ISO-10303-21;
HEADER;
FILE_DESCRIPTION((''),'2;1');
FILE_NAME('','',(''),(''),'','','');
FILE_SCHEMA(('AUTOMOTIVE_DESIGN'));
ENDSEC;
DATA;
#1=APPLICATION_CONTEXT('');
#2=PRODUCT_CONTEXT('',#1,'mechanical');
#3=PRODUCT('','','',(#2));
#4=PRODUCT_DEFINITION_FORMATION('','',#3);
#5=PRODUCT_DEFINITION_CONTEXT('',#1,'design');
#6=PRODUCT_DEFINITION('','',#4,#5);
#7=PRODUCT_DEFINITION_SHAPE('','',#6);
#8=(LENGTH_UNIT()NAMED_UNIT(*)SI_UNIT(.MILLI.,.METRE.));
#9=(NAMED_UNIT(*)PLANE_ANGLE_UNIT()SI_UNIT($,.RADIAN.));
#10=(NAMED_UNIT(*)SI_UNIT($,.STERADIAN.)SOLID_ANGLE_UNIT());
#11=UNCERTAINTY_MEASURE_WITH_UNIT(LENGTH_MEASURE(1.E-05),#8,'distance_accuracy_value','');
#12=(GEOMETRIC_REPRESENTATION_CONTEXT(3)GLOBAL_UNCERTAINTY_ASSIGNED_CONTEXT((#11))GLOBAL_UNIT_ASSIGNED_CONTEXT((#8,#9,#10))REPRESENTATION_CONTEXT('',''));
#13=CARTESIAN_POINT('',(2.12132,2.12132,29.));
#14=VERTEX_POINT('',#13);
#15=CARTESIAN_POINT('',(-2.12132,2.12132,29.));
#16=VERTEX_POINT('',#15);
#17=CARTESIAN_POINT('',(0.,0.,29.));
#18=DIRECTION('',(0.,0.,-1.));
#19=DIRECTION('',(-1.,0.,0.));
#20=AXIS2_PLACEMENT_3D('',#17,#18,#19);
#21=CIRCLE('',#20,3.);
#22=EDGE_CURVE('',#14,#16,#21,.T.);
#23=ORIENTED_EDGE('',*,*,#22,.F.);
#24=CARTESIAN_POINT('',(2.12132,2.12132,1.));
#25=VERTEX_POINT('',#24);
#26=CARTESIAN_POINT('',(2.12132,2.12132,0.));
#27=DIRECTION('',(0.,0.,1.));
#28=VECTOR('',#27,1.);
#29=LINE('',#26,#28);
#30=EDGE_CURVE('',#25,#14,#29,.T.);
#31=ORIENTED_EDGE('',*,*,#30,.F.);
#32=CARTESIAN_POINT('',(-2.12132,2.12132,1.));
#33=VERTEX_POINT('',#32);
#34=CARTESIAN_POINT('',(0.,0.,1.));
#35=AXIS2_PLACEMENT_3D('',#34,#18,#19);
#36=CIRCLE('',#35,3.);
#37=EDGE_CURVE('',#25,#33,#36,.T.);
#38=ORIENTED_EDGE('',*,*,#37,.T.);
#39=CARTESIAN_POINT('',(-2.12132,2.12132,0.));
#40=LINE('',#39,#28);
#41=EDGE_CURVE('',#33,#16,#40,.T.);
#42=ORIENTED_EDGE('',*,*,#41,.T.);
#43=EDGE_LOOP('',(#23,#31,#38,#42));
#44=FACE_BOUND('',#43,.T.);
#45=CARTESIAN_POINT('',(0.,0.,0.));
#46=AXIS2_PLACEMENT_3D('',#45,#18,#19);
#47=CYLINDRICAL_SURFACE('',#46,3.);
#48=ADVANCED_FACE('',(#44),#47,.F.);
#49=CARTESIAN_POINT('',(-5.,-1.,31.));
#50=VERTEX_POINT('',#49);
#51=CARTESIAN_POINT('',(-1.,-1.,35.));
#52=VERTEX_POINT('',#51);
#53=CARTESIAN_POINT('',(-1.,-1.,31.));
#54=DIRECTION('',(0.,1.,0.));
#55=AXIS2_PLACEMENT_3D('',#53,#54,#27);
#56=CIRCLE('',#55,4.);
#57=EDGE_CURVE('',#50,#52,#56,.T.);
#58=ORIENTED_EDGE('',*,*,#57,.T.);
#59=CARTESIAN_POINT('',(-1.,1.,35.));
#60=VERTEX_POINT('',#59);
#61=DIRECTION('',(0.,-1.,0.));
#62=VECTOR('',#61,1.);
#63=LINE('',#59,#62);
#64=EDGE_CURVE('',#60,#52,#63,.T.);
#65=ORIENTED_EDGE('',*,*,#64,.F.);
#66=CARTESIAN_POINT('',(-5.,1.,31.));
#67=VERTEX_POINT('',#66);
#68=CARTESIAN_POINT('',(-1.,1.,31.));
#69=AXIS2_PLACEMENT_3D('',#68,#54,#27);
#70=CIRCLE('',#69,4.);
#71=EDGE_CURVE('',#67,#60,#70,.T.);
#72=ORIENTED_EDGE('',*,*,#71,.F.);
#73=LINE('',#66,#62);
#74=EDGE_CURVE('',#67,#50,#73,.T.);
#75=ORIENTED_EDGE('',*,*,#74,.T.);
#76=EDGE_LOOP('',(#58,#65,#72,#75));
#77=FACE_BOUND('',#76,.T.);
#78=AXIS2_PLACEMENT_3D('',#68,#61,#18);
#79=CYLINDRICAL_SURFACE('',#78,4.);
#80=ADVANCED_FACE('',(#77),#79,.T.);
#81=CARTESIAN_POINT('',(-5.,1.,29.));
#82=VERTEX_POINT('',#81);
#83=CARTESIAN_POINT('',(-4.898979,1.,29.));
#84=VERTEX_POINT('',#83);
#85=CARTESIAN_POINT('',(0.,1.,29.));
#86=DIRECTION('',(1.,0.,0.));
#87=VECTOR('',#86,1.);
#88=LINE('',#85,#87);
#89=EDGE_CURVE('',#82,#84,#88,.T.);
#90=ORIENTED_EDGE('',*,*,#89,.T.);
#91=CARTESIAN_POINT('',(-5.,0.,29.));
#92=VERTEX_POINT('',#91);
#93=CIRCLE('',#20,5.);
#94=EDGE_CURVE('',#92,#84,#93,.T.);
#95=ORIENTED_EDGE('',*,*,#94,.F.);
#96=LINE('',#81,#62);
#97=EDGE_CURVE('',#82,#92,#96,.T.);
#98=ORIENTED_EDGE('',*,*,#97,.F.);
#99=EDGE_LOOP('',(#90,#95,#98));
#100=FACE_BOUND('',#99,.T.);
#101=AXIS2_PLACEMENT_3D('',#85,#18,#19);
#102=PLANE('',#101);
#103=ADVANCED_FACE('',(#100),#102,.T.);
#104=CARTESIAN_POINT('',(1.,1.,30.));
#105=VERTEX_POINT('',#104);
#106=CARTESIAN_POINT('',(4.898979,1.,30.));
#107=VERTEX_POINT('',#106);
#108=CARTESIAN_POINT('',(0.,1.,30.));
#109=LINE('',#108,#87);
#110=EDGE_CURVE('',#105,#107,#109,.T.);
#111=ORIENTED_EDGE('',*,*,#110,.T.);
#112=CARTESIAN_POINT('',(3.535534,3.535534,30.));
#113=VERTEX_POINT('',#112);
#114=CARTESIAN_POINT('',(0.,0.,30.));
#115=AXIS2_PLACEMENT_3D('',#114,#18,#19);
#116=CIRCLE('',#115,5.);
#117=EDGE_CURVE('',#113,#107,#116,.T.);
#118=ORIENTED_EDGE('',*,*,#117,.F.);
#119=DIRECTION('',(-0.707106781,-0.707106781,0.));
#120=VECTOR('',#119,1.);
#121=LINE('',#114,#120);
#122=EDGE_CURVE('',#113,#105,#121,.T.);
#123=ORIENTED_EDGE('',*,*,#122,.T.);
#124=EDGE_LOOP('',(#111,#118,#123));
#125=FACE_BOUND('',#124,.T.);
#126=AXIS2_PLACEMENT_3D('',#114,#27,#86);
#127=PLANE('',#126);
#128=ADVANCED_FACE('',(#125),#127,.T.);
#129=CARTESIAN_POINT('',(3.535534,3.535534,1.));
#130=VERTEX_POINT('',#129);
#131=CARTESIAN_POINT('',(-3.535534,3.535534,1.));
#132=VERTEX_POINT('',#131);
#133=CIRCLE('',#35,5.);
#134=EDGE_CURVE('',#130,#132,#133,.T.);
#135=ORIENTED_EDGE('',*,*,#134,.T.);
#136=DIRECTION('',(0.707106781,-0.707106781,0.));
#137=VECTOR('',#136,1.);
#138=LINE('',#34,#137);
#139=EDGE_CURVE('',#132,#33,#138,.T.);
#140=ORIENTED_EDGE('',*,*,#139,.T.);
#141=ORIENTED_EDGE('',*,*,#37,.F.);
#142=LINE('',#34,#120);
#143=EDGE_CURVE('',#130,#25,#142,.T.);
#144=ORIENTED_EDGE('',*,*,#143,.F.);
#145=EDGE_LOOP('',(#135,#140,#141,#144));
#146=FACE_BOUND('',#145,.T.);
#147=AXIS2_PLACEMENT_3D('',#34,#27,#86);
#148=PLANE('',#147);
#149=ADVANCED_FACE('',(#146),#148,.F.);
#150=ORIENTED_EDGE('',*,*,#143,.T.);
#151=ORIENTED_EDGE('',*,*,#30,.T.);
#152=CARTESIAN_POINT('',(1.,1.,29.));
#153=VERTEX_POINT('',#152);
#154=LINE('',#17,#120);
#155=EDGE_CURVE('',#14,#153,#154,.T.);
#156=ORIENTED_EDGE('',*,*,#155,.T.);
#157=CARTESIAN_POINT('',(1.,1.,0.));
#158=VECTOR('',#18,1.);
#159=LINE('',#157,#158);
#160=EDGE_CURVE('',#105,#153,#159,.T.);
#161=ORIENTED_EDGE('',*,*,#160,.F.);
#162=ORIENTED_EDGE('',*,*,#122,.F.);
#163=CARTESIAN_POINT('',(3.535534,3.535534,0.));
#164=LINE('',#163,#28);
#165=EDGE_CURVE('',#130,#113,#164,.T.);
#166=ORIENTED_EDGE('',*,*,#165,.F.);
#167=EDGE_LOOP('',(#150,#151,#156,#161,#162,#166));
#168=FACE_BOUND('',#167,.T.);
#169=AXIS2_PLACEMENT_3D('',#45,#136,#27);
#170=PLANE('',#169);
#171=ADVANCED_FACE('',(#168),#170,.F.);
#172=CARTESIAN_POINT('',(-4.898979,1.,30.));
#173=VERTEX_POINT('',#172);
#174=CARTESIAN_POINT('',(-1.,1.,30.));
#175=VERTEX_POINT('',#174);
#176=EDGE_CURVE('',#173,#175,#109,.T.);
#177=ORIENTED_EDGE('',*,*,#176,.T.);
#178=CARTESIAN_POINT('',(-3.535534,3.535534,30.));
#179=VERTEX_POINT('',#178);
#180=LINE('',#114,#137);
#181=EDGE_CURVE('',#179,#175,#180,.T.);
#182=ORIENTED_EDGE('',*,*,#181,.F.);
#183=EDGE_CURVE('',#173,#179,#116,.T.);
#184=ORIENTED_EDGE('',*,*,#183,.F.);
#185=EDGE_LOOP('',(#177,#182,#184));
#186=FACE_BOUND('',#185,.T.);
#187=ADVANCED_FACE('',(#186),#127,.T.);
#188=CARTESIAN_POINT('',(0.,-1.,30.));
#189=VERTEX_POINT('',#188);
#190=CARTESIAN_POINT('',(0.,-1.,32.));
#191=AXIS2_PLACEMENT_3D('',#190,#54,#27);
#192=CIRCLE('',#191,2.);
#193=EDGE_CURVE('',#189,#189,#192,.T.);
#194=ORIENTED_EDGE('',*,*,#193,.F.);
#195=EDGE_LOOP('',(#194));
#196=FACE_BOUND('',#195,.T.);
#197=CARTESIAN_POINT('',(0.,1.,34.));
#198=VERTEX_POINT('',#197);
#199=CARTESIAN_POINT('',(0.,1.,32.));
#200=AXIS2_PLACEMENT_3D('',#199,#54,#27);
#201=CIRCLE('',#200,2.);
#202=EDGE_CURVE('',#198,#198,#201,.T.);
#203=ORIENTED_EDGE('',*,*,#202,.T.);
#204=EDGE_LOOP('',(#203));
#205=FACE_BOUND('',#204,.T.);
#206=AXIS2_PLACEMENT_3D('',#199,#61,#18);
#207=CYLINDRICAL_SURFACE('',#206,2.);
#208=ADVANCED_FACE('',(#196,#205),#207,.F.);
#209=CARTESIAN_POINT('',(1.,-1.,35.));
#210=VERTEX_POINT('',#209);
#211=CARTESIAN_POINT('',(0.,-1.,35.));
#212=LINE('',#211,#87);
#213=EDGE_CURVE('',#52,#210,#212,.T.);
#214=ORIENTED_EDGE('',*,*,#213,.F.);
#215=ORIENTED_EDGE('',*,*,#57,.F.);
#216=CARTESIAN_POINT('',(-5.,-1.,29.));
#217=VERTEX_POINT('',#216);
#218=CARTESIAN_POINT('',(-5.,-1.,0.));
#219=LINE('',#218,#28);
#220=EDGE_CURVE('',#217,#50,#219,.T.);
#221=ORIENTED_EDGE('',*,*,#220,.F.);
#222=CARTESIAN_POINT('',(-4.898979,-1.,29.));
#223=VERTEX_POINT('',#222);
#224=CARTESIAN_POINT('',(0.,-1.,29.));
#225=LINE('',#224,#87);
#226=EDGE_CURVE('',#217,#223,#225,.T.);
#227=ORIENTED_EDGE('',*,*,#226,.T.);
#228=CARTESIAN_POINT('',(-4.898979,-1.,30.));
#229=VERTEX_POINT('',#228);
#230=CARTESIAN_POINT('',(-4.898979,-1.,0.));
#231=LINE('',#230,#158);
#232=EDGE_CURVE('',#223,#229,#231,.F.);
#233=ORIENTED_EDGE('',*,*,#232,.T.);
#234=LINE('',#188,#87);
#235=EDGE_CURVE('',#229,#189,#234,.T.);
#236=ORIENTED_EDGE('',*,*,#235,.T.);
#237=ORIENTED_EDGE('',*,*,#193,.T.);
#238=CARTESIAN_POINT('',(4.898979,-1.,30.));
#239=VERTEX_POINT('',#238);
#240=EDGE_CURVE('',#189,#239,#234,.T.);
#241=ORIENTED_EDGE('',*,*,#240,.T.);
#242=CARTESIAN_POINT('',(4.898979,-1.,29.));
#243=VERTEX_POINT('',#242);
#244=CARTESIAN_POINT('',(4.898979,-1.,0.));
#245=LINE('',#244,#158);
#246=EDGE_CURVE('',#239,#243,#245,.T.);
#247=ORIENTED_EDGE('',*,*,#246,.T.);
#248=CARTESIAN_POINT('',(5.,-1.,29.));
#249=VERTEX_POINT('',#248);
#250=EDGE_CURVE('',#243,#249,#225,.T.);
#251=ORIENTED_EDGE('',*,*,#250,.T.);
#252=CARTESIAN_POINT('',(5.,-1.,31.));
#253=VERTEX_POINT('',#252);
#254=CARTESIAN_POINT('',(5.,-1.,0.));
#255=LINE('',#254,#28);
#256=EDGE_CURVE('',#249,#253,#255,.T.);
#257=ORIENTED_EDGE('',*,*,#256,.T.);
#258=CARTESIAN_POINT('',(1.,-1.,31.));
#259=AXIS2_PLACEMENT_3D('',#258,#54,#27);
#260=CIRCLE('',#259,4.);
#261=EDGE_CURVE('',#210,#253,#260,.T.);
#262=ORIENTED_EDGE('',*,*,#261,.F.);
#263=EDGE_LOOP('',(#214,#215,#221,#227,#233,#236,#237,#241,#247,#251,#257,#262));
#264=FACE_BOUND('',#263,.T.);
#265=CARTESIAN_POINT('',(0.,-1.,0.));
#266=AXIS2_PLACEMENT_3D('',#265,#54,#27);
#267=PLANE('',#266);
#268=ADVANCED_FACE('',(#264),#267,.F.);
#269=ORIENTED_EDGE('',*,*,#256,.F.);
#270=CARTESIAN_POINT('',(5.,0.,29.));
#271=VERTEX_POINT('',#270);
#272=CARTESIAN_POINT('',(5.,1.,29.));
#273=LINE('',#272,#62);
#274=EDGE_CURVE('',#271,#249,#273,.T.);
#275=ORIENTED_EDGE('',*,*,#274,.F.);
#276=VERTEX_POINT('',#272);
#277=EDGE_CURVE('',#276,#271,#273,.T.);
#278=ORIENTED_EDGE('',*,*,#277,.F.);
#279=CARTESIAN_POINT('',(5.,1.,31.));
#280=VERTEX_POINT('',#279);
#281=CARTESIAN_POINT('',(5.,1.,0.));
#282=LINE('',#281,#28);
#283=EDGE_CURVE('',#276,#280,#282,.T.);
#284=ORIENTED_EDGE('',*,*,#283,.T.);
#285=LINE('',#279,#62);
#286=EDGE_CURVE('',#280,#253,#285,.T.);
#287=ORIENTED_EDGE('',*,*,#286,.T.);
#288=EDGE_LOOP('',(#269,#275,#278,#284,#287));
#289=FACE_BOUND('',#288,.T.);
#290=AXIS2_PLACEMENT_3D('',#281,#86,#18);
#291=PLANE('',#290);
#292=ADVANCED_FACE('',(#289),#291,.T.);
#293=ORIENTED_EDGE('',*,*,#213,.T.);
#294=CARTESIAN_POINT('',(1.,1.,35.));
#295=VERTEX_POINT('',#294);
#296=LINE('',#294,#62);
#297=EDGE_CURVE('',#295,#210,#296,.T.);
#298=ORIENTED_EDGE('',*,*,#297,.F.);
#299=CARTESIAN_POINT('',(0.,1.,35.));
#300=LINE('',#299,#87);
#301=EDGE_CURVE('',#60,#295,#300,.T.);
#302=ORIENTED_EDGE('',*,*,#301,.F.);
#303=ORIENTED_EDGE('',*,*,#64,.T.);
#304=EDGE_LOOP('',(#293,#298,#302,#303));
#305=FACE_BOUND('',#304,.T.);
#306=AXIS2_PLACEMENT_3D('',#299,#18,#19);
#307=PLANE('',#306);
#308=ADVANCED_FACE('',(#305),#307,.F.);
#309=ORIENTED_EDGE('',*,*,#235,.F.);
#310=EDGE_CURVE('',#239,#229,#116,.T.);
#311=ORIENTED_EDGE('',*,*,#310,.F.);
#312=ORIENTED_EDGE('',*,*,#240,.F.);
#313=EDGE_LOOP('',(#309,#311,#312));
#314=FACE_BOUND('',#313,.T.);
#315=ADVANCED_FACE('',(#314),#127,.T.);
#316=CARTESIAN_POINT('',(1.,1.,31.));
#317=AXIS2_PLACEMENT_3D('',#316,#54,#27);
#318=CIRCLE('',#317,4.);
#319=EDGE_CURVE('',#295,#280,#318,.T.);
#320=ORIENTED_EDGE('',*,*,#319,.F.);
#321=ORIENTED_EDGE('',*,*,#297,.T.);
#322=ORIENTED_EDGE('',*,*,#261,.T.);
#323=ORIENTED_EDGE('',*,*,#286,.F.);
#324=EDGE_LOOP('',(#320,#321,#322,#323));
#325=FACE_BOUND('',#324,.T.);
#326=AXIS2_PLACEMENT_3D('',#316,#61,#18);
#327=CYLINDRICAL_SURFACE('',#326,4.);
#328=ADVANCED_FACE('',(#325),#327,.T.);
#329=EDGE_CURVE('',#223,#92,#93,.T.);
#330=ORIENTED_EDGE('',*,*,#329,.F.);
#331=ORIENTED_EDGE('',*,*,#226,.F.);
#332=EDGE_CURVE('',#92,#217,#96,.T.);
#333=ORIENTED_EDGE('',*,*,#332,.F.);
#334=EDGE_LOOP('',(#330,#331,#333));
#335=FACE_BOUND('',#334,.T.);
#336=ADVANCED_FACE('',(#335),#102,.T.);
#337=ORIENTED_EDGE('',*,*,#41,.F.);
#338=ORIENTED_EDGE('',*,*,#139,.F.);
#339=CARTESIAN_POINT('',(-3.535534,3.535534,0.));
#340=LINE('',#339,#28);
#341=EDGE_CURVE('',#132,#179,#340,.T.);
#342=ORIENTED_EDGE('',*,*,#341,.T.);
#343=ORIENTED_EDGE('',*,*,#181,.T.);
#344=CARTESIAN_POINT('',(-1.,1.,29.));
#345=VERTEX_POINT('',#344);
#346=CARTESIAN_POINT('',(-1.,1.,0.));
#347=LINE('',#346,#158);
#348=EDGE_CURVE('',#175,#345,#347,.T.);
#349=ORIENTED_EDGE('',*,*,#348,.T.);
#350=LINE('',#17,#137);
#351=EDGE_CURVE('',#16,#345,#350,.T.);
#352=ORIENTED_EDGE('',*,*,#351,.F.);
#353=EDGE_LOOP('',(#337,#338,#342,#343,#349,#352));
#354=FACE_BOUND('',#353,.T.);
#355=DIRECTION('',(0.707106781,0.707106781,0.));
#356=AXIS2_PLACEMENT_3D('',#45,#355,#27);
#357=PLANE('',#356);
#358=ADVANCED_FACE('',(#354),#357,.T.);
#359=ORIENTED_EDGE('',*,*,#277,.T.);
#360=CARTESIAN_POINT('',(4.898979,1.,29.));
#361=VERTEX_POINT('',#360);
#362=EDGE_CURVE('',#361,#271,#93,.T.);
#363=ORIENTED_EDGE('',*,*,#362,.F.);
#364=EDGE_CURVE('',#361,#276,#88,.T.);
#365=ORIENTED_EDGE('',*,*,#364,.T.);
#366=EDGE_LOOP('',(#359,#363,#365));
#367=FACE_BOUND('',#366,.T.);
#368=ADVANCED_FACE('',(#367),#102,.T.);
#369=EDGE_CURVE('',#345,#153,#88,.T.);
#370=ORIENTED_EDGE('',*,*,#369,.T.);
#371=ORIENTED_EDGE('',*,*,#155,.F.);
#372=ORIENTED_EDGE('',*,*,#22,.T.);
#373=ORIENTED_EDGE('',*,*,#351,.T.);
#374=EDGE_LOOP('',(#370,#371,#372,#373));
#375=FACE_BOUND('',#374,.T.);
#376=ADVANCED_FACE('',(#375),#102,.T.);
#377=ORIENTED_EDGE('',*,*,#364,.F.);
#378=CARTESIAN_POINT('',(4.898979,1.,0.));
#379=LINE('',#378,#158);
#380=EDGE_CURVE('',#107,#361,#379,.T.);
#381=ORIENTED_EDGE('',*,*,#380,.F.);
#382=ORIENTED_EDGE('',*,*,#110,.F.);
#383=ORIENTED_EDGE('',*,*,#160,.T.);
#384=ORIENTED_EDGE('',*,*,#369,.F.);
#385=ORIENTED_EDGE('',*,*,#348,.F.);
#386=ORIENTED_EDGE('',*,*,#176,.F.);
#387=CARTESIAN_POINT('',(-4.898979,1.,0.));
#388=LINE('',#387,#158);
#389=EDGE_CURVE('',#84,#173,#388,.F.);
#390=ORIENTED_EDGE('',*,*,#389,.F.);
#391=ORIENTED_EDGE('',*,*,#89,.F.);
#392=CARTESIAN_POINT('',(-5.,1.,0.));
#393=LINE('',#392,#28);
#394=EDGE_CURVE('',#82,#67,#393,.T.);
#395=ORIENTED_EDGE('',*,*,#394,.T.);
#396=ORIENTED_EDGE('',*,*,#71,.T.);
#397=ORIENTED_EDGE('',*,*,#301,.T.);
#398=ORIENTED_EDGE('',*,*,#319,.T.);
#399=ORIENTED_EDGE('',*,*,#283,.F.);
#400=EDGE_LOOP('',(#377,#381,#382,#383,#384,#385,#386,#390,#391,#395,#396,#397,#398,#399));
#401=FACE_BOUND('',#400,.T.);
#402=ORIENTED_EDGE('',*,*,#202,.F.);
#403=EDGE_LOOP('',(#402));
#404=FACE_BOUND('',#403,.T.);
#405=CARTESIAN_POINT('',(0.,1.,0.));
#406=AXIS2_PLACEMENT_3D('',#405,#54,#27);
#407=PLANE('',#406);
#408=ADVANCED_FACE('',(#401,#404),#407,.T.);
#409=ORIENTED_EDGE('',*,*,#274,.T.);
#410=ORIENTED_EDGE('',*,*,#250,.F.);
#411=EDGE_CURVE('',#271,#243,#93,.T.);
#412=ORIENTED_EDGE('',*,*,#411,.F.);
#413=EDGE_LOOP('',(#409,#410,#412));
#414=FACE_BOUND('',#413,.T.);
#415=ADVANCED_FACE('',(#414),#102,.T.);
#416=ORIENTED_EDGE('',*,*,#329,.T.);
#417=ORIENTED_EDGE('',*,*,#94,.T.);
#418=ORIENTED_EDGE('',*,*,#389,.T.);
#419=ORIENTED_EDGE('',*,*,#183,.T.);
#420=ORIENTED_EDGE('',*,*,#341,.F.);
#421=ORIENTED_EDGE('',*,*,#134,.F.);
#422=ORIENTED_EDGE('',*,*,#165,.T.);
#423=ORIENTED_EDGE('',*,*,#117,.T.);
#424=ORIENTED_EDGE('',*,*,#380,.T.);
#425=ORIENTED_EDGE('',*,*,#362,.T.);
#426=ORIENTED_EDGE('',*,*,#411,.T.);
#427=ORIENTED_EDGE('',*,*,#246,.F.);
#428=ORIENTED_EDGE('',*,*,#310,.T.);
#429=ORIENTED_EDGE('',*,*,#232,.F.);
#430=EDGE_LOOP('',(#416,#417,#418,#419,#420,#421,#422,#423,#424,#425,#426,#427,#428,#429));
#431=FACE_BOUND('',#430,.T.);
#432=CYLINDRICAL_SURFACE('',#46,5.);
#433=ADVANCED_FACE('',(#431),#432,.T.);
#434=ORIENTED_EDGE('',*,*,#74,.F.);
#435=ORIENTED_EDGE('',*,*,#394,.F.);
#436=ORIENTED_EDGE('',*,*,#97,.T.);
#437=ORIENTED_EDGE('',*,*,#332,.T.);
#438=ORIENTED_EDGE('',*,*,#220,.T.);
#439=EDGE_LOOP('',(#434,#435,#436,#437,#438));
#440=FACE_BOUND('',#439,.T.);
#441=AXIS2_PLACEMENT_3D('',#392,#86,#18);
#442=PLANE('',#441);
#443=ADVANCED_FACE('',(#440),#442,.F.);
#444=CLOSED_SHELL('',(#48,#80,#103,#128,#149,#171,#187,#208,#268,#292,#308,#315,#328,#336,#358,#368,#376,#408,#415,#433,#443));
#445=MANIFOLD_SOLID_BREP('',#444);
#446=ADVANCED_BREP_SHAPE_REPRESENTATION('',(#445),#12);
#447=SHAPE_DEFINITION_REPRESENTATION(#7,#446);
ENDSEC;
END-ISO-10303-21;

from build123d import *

# Parameters (mm, degrees)
SKETCH1_R                = 2
BOSS_EXTRUDE1_DEPTH      = 1
REVOLVE1_ANGLE           = 225
REVOLVE1_OTHER_WAY_ANGLE = 45


with BuildPart() as part:
    # Sketch1 → Boss-Extrude1 (new, symmetric)
    with BuildSketch(Plane(origin=(0, 0, 0), x_dir=(1, 0, 0), z_dir=(0, 1, 0))):
        with BuildLine():
            Line((-5, -29), (-5, -31))
            ThreePointArc((-5, -31), (-3.828427125, -33.828427125), (-1, -35))
            Line((-1, -35), (1, -35))
            ThreePointArc((1, -35), (3.828427125, -33.828427125), (5, -31))
            Line((5, -31), (5, -29))
            Line((5, -29), (-5, -29))
        make_face()
        with Locations((0, -32)):
            Circle(SKETCH1_R, mode=Mode.SUBTRACT)
    extrude(amount=BOSS_EXTRUDE1_DEPTH, both=True)

    # Sketch1<3> → Revolve1 (revolve)
    with BuildSketch(Plane(origin=(0, 0, 0), x_dir=(1, 0, 0), z_dir=(0, 1, 0))):
        Polygon((0, -30), (0, -29), (-3, -29), (-3, -1), (-5, -1), (-5, -30), align=None)
    revolve(axis=Axis((0, 0, 0), (0, 0, 1)), revolution_arc=REVOLVE1_ANGLE)

    # Sketch1<3> → Revolve1 other way (revolve)
    with BuildSketch(Plane(origin=(0, 0, 0), x_dir=(1, 0, 0), z_dir=(0, 1, 0))):
        Polygon((0, -30), (0, -29), (-3, -29), (-3, -1), (-5, -1), (-5, -30), align=None)
    revolve(axis=Axis((0, 0, 0), (0, 0, -1)), revolution_arc=REVOLVE1_OTHER_WAY_ANGLE)


solid = part.part
